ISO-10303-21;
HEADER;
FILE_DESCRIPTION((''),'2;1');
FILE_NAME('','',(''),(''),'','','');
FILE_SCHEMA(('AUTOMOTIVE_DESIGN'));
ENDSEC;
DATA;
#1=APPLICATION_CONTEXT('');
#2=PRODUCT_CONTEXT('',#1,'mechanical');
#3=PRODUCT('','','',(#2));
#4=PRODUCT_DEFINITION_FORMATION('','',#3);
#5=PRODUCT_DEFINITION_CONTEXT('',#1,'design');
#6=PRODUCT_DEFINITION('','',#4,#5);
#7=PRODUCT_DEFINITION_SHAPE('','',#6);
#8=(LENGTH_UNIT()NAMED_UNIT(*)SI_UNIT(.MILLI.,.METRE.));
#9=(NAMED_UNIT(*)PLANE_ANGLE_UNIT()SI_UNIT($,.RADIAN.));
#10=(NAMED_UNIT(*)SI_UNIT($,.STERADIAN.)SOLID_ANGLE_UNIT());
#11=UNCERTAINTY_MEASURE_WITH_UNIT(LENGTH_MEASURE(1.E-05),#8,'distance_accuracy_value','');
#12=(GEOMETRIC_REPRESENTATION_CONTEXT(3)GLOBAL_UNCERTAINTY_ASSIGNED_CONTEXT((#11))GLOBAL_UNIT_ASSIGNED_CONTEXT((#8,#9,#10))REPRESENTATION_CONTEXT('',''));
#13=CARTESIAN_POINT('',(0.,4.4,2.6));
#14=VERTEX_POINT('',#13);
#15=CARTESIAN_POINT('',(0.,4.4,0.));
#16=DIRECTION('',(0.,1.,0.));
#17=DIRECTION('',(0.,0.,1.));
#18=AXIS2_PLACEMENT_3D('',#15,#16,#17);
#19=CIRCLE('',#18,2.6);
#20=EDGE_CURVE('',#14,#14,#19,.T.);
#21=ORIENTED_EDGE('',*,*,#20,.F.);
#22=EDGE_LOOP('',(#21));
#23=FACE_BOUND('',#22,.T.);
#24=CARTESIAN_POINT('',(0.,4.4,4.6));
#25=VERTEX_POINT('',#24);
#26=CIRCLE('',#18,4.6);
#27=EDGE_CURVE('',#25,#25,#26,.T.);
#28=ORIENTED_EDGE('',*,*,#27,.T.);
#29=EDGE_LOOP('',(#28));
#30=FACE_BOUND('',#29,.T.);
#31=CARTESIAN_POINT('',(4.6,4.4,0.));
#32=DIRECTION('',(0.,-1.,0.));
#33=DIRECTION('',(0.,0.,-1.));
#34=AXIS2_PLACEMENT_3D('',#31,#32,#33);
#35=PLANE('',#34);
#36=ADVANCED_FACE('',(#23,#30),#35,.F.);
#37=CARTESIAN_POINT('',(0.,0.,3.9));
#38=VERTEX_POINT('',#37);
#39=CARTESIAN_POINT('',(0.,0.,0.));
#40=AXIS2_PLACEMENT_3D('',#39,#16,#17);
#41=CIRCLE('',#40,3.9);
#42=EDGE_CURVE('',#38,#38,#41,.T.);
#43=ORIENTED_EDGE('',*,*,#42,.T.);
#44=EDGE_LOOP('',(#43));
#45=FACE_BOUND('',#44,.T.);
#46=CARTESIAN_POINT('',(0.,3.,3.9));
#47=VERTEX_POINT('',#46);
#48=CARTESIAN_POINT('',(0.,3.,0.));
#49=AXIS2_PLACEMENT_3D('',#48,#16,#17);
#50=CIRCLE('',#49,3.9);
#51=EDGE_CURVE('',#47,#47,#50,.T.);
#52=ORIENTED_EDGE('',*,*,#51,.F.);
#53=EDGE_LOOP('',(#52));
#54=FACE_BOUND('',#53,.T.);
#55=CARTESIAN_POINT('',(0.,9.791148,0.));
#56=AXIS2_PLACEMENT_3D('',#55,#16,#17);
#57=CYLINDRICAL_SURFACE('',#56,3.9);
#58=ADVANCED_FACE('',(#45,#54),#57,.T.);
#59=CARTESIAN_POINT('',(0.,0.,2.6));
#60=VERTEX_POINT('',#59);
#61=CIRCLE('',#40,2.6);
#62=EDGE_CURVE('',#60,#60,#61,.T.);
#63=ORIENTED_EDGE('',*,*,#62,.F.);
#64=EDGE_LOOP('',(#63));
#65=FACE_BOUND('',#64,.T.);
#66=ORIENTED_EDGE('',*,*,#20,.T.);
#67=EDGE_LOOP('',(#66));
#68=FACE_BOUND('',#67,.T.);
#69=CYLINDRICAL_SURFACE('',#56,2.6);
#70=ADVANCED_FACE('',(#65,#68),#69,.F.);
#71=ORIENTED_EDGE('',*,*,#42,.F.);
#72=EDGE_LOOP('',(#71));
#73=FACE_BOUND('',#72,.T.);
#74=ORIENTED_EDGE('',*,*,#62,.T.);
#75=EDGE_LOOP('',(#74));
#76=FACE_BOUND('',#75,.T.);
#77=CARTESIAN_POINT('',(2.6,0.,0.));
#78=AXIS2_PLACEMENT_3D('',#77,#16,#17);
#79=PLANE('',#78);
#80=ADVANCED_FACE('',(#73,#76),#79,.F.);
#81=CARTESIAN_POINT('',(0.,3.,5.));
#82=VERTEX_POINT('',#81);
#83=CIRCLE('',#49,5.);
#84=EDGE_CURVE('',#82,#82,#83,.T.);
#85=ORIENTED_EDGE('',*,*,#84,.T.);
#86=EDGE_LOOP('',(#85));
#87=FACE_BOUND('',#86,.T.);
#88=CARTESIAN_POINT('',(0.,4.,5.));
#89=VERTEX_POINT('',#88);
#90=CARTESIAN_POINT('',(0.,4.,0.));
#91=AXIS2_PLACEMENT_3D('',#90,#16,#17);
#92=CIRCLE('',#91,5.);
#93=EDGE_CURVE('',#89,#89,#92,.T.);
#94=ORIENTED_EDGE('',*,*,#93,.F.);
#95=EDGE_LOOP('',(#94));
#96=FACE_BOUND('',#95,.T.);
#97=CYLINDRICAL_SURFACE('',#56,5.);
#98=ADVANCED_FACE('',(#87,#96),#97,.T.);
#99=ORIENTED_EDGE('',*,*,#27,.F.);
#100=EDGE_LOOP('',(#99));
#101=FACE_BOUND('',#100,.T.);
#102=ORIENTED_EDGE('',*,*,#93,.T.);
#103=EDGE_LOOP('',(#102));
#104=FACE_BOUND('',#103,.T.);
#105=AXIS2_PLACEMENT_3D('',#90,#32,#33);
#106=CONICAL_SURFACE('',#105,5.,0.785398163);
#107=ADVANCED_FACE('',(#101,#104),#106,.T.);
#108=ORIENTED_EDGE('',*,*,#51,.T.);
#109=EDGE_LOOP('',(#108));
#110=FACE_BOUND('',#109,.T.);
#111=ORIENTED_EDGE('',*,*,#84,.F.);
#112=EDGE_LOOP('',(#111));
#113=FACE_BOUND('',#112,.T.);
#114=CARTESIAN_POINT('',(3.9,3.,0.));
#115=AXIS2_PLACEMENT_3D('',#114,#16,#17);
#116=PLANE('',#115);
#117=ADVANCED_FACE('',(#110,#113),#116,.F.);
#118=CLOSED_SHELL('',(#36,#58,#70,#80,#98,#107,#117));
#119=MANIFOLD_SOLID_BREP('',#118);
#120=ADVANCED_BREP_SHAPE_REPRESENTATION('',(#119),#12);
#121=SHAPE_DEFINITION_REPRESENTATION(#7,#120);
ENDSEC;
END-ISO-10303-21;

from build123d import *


with BuildPart() as part:
    # Sketch1 → Revolve1 (revolve)
    with BuildSketch(Plane.XY):
        Polygon((2.6, 4.4), (2.6, 0), (3.9, 0), (3.9, 3), (5, 3), (5, 4), (4.6, 4.4), align=None)
    revolve(axis=Axis((0, 9.791147956, 0), (0, -1, 0)))


solid = part.part
